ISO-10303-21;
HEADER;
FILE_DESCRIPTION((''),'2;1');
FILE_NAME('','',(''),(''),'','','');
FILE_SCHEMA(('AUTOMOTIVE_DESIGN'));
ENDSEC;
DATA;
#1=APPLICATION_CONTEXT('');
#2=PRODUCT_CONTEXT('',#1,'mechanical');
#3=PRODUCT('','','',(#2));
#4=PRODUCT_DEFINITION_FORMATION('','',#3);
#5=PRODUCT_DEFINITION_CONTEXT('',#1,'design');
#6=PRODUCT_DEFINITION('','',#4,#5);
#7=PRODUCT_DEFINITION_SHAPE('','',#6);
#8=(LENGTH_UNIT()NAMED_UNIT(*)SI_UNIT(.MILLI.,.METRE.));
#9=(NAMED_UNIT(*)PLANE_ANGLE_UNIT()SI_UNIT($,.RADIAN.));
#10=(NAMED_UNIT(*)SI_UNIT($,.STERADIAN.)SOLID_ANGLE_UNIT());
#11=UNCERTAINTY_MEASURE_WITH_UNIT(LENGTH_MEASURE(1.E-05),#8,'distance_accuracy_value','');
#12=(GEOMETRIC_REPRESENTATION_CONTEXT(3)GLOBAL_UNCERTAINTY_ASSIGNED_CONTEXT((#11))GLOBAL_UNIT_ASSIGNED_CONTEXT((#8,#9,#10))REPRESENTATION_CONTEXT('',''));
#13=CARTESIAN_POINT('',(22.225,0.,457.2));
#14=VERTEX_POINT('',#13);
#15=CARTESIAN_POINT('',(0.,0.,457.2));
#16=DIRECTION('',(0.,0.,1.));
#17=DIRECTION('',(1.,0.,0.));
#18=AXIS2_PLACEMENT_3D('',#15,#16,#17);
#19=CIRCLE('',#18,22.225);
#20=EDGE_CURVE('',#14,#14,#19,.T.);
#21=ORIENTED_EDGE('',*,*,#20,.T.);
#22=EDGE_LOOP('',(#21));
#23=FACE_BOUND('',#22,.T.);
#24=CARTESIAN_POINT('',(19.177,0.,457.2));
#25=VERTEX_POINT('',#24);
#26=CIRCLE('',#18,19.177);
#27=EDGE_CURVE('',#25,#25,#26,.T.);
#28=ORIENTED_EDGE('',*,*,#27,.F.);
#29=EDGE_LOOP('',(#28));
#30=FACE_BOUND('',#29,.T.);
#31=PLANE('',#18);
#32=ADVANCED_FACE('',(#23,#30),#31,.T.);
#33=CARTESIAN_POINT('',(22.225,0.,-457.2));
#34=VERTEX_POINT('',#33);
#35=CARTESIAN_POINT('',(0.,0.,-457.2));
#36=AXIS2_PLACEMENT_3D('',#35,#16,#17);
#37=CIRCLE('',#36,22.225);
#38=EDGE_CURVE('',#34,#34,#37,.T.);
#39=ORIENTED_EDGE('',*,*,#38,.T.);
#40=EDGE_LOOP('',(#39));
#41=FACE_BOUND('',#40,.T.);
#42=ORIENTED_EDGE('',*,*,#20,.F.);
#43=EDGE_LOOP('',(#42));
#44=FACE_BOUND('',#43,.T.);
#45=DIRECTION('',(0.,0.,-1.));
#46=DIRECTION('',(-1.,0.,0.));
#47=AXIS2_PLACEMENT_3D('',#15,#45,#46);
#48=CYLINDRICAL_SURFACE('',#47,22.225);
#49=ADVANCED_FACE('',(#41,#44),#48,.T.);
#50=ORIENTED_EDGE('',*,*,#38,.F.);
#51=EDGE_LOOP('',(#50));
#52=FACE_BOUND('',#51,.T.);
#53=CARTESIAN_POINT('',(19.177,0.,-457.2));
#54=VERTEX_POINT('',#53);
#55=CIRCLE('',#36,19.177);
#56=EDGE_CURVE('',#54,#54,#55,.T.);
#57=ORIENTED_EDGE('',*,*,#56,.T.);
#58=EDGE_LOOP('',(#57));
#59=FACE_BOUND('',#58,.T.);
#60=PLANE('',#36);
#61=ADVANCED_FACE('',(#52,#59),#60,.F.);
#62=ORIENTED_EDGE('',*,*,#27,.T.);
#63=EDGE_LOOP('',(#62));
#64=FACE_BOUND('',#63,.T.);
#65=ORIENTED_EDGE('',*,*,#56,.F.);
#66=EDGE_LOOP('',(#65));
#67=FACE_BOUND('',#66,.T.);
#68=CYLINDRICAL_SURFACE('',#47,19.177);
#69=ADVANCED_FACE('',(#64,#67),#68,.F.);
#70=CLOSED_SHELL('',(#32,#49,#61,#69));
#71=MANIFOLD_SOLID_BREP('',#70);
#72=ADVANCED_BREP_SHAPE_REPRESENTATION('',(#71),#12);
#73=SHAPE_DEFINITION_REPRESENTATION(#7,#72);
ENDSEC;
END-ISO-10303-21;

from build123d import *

# Parameters (mm, degrees)
SKETCH3_R           = 22.225
SKETCH3_R_2         = 19.177
BOSS_EXTRUDE1_DEPTH = 457.2


with BuildPart() as part:
    # Sketch3 → Boss-Extrude1 (new, symmetric)
    with BuildSketch(Plane.XY):
        Circle(SKETCH3_R)
        Circle(SKETCH3_R_2, mode=Mode.SUBTRACT)
    extrude(amount=BOSS_EXTRUDE1_DEPTH, both=True)


solid = part.part
